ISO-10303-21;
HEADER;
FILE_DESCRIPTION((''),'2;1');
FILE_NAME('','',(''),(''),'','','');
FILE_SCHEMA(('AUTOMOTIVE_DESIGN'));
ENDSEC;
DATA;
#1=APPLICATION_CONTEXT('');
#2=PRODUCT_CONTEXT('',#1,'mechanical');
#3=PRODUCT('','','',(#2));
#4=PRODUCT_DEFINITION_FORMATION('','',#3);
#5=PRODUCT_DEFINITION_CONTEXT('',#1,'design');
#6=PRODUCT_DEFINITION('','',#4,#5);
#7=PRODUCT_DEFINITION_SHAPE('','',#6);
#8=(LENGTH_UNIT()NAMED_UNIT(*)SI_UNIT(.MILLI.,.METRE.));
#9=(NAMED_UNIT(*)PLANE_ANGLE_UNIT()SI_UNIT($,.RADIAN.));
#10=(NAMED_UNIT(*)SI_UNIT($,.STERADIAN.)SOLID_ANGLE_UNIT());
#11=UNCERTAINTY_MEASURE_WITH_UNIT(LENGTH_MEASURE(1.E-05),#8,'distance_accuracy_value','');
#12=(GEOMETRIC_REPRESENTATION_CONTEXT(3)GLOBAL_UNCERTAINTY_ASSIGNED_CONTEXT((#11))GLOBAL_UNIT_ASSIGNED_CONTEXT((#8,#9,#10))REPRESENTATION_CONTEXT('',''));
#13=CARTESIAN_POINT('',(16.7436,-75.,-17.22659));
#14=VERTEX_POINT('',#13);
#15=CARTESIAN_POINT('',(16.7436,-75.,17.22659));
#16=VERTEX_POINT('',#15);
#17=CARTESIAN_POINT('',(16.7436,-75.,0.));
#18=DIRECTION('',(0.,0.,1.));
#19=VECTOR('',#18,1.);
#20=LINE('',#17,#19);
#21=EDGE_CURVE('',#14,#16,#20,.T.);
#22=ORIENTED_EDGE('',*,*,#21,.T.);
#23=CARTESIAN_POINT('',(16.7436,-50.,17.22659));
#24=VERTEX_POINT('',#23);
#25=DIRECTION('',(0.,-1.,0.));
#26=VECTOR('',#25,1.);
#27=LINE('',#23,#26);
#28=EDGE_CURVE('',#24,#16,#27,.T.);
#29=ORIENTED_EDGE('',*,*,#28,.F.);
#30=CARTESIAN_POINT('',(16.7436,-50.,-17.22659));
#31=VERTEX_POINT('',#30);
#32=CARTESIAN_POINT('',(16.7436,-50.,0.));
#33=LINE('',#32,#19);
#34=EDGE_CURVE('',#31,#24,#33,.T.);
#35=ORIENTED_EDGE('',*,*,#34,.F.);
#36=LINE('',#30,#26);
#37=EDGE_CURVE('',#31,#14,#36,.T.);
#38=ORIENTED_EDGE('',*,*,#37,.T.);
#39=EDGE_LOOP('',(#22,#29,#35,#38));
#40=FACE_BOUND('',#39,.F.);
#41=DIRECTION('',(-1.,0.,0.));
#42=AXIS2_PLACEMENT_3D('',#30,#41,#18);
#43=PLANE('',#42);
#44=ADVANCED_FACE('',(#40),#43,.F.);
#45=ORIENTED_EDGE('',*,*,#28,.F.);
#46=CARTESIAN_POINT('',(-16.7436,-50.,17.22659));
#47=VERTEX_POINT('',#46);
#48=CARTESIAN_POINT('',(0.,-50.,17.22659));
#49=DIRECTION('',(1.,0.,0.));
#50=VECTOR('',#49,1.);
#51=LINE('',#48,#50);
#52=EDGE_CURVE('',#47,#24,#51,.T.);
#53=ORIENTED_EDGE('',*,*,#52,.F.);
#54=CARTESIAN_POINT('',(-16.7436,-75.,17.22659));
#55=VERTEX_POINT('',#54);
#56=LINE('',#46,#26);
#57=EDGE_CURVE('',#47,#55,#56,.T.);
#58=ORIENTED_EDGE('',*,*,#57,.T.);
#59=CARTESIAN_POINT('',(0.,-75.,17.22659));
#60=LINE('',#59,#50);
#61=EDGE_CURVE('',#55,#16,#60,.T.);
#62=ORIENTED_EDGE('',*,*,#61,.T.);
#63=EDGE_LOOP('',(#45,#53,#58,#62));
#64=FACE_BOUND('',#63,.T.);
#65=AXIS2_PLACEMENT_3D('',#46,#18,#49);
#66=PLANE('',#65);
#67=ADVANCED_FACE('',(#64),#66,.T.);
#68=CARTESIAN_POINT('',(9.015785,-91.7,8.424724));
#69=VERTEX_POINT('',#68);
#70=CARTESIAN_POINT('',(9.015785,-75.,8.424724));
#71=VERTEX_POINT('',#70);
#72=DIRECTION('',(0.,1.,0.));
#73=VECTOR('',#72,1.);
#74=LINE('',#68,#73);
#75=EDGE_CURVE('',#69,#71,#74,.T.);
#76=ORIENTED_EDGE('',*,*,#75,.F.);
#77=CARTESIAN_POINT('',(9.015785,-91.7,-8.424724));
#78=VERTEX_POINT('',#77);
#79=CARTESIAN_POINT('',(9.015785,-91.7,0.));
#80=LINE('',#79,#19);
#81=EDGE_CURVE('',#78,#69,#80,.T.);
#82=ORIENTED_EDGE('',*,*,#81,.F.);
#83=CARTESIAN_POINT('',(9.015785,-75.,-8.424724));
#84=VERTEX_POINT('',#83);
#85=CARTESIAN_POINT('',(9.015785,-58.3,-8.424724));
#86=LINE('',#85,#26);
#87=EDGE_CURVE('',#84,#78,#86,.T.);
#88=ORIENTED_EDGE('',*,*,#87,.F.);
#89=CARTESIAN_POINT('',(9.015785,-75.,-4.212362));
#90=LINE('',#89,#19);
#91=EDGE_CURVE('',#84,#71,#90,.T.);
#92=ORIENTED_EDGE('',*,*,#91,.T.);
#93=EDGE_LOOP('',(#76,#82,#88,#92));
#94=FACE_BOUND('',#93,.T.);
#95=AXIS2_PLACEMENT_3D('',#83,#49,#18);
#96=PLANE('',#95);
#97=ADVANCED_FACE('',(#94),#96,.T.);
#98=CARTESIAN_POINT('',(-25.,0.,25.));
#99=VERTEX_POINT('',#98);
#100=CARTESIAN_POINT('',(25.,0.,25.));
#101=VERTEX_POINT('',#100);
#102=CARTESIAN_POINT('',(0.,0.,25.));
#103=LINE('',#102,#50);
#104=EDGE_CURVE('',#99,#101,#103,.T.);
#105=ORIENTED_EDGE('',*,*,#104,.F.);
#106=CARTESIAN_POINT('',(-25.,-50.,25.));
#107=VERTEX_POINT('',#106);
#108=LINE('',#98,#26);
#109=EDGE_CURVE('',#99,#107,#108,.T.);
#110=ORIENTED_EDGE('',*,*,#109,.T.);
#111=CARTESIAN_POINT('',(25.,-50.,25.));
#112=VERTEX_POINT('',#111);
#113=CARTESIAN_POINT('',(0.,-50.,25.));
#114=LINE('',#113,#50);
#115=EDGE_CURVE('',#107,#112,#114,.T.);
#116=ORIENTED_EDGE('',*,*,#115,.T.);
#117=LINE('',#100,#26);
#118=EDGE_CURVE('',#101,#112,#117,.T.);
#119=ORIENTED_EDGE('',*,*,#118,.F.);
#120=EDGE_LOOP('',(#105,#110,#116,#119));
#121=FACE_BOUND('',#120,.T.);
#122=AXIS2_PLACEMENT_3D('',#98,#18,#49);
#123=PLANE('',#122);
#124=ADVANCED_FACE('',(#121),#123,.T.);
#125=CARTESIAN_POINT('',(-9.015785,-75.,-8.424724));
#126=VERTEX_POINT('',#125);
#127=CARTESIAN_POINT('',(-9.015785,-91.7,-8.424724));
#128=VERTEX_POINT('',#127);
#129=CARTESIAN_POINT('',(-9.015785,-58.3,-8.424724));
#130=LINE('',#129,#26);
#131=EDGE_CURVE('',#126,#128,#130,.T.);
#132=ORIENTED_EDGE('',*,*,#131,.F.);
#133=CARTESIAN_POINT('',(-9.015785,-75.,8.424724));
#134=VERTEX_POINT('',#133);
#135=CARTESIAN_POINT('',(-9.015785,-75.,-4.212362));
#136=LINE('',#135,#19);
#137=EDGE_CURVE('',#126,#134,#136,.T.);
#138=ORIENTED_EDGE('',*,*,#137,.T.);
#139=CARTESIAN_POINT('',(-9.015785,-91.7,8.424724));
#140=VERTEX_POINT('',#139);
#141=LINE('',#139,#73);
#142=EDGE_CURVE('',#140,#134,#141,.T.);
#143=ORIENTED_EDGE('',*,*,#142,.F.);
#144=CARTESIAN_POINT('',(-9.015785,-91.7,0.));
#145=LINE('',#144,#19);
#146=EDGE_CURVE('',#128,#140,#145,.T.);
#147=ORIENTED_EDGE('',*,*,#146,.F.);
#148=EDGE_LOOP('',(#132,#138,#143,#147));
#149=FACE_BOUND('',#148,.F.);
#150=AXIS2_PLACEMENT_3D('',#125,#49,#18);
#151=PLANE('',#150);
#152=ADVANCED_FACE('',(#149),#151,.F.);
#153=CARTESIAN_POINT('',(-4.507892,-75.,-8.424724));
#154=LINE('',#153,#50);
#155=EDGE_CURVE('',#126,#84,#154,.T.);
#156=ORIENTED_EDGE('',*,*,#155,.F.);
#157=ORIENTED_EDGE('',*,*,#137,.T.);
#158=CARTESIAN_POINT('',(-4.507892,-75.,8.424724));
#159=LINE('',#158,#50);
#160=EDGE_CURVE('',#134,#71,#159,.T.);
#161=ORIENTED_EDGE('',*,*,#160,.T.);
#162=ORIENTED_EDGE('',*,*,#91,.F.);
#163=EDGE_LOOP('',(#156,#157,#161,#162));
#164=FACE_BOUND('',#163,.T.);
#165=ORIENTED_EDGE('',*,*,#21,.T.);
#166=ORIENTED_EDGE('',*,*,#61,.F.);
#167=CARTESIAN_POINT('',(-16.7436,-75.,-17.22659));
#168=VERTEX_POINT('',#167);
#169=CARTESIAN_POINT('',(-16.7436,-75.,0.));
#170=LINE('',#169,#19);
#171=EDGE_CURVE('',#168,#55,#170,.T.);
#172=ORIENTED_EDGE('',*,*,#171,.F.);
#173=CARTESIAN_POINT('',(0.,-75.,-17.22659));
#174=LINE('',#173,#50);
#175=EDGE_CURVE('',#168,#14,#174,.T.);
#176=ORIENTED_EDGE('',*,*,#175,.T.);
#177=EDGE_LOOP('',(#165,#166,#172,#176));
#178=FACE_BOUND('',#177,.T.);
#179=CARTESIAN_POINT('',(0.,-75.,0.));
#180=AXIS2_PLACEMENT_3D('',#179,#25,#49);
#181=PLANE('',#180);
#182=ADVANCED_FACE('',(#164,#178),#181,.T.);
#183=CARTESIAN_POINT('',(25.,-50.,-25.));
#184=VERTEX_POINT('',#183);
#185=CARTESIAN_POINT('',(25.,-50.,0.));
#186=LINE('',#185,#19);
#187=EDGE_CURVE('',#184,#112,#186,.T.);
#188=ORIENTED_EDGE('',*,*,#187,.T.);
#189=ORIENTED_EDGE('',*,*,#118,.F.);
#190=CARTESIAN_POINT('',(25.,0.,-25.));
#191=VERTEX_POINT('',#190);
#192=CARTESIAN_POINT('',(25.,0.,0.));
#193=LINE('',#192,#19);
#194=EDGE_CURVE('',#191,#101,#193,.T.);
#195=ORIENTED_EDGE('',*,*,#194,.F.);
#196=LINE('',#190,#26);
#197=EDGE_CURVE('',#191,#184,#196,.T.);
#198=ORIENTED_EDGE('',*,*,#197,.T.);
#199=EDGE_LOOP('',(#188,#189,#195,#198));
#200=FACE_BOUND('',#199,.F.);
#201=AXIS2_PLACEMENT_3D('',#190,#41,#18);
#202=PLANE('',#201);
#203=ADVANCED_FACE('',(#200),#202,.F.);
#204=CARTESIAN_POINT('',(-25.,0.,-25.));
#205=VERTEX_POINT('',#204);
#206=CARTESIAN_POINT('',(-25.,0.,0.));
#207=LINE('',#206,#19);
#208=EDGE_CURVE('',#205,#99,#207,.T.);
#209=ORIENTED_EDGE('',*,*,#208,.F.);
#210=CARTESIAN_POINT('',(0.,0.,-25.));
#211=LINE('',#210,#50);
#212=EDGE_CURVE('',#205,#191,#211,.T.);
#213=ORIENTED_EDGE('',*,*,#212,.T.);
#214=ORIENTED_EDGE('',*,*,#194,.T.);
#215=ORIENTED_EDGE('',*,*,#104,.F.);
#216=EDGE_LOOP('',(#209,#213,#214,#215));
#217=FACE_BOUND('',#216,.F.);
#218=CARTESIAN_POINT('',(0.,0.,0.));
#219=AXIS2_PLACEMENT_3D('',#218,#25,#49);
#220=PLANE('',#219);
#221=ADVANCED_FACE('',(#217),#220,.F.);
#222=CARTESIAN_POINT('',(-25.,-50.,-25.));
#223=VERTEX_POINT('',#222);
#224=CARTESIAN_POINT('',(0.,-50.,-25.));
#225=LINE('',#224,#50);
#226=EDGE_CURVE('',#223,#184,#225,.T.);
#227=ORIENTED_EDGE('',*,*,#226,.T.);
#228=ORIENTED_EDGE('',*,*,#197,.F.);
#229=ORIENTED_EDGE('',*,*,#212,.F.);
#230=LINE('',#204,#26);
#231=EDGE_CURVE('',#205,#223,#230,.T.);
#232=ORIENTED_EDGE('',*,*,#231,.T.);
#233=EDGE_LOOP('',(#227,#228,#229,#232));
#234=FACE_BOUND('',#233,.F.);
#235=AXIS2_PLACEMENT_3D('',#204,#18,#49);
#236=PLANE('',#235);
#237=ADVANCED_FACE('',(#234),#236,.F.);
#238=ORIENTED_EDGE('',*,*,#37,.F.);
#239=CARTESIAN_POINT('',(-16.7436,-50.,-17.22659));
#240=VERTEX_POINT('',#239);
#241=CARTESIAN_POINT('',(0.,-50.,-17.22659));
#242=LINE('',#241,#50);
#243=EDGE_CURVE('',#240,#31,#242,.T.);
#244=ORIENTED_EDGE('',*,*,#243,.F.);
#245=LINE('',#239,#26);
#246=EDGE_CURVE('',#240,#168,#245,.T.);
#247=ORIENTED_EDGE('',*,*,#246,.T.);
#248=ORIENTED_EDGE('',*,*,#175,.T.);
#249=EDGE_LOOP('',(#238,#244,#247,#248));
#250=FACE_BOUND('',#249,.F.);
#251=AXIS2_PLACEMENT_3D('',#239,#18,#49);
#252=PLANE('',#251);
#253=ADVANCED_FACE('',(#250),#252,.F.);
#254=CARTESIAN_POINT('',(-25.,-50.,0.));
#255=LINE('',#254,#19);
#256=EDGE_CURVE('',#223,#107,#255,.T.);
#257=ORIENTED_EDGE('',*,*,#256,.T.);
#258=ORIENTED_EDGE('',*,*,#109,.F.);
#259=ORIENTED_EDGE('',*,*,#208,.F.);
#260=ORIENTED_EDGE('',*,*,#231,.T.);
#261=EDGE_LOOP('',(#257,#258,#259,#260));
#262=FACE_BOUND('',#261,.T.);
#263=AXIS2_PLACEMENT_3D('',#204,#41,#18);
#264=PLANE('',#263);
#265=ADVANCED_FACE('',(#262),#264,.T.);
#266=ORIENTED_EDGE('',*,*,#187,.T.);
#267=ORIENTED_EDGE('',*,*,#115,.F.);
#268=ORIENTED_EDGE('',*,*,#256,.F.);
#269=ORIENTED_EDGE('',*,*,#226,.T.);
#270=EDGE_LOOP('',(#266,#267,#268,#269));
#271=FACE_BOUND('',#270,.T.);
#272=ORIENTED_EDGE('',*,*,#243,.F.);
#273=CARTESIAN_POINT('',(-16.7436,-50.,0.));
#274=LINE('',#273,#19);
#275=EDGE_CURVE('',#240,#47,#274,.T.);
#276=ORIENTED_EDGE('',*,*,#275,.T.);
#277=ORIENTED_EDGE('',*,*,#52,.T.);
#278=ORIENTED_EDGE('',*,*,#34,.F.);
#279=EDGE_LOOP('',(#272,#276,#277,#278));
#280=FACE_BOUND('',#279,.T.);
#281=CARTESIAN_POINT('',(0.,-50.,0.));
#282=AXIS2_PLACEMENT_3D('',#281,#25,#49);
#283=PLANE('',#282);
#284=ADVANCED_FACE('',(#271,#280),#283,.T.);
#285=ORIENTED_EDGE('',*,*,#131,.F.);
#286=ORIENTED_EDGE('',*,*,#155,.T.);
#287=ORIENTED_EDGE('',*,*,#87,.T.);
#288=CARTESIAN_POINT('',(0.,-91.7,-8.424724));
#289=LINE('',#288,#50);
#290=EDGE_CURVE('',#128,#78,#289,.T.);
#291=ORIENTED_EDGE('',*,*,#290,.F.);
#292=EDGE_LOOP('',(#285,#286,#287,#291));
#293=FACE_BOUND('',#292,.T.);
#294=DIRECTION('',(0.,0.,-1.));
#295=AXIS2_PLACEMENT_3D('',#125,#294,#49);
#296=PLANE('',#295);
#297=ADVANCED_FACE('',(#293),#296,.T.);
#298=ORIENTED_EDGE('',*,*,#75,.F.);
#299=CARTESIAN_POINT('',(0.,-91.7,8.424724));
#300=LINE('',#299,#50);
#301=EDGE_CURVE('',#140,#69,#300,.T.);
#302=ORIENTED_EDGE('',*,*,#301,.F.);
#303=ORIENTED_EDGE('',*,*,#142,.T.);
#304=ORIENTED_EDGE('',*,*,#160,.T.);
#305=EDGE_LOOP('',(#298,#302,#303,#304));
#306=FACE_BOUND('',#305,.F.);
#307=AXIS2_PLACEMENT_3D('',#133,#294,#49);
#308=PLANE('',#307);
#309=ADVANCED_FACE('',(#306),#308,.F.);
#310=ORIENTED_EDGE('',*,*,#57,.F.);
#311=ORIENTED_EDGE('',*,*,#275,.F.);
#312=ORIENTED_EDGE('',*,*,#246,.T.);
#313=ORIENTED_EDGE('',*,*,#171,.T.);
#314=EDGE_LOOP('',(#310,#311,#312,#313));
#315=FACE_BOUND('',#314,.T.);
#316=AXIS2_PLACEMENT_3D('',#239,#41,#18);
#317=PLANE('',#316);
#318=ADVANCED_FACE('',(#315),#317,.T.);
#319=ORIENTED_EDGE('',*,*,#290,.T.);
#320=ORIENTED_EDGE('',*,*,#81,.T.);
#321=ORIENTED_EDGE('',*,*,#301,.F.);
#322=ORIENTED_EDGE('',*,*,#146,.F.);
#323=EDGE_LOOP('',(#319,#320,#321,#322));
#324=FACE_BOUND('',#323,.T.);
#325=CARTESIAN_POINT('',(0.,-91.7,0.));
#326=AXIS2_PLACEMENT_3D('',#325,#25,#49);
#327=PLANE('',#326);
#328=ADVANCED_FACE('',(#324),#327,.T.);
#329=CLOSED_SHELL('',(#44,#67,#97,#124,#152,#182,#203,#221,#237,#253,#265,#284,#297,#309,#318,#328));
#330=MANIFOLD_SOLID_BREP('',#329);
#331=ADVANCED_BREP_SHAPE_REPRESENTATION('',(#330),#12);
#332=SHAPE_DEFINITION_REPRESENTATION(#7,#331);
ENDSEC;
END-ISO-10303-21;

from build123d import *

# Parameters (mm, degrees)
F0_W     = 50
F0_H     = 50
F1_DEPTH = 50
F2_W     = 33.4872
F2_H     = 34.45318
F3_DEPTH = 25
F4_W     = 18.03157
F4_H     = 16.849448
F5_DEPTH = 16.7


with BuildPart() as f1:
    # F0 (on Front) → F1 (new body)
    with BuildSketch(Plane.XZ):
        Rectangle(F0_W, F0_H)
    extrude(amount=F1_DEPTH)

    # F2 (on face) → F3 (join)
    with BuildSketch(Plane.XZ.offset(50)):
        Rectangle(F2_W, F2_H)
    extrude(amount=F3_DEPTH)

    # F4 (on face) → F5 (join, symmetric)
    with BuildSketch(Plane.XZ.offset(75)):
        Rectangle(F4_W, F4_H)
    extrude(amount=F5_DEPTH, both=True)


solid = f1.part
